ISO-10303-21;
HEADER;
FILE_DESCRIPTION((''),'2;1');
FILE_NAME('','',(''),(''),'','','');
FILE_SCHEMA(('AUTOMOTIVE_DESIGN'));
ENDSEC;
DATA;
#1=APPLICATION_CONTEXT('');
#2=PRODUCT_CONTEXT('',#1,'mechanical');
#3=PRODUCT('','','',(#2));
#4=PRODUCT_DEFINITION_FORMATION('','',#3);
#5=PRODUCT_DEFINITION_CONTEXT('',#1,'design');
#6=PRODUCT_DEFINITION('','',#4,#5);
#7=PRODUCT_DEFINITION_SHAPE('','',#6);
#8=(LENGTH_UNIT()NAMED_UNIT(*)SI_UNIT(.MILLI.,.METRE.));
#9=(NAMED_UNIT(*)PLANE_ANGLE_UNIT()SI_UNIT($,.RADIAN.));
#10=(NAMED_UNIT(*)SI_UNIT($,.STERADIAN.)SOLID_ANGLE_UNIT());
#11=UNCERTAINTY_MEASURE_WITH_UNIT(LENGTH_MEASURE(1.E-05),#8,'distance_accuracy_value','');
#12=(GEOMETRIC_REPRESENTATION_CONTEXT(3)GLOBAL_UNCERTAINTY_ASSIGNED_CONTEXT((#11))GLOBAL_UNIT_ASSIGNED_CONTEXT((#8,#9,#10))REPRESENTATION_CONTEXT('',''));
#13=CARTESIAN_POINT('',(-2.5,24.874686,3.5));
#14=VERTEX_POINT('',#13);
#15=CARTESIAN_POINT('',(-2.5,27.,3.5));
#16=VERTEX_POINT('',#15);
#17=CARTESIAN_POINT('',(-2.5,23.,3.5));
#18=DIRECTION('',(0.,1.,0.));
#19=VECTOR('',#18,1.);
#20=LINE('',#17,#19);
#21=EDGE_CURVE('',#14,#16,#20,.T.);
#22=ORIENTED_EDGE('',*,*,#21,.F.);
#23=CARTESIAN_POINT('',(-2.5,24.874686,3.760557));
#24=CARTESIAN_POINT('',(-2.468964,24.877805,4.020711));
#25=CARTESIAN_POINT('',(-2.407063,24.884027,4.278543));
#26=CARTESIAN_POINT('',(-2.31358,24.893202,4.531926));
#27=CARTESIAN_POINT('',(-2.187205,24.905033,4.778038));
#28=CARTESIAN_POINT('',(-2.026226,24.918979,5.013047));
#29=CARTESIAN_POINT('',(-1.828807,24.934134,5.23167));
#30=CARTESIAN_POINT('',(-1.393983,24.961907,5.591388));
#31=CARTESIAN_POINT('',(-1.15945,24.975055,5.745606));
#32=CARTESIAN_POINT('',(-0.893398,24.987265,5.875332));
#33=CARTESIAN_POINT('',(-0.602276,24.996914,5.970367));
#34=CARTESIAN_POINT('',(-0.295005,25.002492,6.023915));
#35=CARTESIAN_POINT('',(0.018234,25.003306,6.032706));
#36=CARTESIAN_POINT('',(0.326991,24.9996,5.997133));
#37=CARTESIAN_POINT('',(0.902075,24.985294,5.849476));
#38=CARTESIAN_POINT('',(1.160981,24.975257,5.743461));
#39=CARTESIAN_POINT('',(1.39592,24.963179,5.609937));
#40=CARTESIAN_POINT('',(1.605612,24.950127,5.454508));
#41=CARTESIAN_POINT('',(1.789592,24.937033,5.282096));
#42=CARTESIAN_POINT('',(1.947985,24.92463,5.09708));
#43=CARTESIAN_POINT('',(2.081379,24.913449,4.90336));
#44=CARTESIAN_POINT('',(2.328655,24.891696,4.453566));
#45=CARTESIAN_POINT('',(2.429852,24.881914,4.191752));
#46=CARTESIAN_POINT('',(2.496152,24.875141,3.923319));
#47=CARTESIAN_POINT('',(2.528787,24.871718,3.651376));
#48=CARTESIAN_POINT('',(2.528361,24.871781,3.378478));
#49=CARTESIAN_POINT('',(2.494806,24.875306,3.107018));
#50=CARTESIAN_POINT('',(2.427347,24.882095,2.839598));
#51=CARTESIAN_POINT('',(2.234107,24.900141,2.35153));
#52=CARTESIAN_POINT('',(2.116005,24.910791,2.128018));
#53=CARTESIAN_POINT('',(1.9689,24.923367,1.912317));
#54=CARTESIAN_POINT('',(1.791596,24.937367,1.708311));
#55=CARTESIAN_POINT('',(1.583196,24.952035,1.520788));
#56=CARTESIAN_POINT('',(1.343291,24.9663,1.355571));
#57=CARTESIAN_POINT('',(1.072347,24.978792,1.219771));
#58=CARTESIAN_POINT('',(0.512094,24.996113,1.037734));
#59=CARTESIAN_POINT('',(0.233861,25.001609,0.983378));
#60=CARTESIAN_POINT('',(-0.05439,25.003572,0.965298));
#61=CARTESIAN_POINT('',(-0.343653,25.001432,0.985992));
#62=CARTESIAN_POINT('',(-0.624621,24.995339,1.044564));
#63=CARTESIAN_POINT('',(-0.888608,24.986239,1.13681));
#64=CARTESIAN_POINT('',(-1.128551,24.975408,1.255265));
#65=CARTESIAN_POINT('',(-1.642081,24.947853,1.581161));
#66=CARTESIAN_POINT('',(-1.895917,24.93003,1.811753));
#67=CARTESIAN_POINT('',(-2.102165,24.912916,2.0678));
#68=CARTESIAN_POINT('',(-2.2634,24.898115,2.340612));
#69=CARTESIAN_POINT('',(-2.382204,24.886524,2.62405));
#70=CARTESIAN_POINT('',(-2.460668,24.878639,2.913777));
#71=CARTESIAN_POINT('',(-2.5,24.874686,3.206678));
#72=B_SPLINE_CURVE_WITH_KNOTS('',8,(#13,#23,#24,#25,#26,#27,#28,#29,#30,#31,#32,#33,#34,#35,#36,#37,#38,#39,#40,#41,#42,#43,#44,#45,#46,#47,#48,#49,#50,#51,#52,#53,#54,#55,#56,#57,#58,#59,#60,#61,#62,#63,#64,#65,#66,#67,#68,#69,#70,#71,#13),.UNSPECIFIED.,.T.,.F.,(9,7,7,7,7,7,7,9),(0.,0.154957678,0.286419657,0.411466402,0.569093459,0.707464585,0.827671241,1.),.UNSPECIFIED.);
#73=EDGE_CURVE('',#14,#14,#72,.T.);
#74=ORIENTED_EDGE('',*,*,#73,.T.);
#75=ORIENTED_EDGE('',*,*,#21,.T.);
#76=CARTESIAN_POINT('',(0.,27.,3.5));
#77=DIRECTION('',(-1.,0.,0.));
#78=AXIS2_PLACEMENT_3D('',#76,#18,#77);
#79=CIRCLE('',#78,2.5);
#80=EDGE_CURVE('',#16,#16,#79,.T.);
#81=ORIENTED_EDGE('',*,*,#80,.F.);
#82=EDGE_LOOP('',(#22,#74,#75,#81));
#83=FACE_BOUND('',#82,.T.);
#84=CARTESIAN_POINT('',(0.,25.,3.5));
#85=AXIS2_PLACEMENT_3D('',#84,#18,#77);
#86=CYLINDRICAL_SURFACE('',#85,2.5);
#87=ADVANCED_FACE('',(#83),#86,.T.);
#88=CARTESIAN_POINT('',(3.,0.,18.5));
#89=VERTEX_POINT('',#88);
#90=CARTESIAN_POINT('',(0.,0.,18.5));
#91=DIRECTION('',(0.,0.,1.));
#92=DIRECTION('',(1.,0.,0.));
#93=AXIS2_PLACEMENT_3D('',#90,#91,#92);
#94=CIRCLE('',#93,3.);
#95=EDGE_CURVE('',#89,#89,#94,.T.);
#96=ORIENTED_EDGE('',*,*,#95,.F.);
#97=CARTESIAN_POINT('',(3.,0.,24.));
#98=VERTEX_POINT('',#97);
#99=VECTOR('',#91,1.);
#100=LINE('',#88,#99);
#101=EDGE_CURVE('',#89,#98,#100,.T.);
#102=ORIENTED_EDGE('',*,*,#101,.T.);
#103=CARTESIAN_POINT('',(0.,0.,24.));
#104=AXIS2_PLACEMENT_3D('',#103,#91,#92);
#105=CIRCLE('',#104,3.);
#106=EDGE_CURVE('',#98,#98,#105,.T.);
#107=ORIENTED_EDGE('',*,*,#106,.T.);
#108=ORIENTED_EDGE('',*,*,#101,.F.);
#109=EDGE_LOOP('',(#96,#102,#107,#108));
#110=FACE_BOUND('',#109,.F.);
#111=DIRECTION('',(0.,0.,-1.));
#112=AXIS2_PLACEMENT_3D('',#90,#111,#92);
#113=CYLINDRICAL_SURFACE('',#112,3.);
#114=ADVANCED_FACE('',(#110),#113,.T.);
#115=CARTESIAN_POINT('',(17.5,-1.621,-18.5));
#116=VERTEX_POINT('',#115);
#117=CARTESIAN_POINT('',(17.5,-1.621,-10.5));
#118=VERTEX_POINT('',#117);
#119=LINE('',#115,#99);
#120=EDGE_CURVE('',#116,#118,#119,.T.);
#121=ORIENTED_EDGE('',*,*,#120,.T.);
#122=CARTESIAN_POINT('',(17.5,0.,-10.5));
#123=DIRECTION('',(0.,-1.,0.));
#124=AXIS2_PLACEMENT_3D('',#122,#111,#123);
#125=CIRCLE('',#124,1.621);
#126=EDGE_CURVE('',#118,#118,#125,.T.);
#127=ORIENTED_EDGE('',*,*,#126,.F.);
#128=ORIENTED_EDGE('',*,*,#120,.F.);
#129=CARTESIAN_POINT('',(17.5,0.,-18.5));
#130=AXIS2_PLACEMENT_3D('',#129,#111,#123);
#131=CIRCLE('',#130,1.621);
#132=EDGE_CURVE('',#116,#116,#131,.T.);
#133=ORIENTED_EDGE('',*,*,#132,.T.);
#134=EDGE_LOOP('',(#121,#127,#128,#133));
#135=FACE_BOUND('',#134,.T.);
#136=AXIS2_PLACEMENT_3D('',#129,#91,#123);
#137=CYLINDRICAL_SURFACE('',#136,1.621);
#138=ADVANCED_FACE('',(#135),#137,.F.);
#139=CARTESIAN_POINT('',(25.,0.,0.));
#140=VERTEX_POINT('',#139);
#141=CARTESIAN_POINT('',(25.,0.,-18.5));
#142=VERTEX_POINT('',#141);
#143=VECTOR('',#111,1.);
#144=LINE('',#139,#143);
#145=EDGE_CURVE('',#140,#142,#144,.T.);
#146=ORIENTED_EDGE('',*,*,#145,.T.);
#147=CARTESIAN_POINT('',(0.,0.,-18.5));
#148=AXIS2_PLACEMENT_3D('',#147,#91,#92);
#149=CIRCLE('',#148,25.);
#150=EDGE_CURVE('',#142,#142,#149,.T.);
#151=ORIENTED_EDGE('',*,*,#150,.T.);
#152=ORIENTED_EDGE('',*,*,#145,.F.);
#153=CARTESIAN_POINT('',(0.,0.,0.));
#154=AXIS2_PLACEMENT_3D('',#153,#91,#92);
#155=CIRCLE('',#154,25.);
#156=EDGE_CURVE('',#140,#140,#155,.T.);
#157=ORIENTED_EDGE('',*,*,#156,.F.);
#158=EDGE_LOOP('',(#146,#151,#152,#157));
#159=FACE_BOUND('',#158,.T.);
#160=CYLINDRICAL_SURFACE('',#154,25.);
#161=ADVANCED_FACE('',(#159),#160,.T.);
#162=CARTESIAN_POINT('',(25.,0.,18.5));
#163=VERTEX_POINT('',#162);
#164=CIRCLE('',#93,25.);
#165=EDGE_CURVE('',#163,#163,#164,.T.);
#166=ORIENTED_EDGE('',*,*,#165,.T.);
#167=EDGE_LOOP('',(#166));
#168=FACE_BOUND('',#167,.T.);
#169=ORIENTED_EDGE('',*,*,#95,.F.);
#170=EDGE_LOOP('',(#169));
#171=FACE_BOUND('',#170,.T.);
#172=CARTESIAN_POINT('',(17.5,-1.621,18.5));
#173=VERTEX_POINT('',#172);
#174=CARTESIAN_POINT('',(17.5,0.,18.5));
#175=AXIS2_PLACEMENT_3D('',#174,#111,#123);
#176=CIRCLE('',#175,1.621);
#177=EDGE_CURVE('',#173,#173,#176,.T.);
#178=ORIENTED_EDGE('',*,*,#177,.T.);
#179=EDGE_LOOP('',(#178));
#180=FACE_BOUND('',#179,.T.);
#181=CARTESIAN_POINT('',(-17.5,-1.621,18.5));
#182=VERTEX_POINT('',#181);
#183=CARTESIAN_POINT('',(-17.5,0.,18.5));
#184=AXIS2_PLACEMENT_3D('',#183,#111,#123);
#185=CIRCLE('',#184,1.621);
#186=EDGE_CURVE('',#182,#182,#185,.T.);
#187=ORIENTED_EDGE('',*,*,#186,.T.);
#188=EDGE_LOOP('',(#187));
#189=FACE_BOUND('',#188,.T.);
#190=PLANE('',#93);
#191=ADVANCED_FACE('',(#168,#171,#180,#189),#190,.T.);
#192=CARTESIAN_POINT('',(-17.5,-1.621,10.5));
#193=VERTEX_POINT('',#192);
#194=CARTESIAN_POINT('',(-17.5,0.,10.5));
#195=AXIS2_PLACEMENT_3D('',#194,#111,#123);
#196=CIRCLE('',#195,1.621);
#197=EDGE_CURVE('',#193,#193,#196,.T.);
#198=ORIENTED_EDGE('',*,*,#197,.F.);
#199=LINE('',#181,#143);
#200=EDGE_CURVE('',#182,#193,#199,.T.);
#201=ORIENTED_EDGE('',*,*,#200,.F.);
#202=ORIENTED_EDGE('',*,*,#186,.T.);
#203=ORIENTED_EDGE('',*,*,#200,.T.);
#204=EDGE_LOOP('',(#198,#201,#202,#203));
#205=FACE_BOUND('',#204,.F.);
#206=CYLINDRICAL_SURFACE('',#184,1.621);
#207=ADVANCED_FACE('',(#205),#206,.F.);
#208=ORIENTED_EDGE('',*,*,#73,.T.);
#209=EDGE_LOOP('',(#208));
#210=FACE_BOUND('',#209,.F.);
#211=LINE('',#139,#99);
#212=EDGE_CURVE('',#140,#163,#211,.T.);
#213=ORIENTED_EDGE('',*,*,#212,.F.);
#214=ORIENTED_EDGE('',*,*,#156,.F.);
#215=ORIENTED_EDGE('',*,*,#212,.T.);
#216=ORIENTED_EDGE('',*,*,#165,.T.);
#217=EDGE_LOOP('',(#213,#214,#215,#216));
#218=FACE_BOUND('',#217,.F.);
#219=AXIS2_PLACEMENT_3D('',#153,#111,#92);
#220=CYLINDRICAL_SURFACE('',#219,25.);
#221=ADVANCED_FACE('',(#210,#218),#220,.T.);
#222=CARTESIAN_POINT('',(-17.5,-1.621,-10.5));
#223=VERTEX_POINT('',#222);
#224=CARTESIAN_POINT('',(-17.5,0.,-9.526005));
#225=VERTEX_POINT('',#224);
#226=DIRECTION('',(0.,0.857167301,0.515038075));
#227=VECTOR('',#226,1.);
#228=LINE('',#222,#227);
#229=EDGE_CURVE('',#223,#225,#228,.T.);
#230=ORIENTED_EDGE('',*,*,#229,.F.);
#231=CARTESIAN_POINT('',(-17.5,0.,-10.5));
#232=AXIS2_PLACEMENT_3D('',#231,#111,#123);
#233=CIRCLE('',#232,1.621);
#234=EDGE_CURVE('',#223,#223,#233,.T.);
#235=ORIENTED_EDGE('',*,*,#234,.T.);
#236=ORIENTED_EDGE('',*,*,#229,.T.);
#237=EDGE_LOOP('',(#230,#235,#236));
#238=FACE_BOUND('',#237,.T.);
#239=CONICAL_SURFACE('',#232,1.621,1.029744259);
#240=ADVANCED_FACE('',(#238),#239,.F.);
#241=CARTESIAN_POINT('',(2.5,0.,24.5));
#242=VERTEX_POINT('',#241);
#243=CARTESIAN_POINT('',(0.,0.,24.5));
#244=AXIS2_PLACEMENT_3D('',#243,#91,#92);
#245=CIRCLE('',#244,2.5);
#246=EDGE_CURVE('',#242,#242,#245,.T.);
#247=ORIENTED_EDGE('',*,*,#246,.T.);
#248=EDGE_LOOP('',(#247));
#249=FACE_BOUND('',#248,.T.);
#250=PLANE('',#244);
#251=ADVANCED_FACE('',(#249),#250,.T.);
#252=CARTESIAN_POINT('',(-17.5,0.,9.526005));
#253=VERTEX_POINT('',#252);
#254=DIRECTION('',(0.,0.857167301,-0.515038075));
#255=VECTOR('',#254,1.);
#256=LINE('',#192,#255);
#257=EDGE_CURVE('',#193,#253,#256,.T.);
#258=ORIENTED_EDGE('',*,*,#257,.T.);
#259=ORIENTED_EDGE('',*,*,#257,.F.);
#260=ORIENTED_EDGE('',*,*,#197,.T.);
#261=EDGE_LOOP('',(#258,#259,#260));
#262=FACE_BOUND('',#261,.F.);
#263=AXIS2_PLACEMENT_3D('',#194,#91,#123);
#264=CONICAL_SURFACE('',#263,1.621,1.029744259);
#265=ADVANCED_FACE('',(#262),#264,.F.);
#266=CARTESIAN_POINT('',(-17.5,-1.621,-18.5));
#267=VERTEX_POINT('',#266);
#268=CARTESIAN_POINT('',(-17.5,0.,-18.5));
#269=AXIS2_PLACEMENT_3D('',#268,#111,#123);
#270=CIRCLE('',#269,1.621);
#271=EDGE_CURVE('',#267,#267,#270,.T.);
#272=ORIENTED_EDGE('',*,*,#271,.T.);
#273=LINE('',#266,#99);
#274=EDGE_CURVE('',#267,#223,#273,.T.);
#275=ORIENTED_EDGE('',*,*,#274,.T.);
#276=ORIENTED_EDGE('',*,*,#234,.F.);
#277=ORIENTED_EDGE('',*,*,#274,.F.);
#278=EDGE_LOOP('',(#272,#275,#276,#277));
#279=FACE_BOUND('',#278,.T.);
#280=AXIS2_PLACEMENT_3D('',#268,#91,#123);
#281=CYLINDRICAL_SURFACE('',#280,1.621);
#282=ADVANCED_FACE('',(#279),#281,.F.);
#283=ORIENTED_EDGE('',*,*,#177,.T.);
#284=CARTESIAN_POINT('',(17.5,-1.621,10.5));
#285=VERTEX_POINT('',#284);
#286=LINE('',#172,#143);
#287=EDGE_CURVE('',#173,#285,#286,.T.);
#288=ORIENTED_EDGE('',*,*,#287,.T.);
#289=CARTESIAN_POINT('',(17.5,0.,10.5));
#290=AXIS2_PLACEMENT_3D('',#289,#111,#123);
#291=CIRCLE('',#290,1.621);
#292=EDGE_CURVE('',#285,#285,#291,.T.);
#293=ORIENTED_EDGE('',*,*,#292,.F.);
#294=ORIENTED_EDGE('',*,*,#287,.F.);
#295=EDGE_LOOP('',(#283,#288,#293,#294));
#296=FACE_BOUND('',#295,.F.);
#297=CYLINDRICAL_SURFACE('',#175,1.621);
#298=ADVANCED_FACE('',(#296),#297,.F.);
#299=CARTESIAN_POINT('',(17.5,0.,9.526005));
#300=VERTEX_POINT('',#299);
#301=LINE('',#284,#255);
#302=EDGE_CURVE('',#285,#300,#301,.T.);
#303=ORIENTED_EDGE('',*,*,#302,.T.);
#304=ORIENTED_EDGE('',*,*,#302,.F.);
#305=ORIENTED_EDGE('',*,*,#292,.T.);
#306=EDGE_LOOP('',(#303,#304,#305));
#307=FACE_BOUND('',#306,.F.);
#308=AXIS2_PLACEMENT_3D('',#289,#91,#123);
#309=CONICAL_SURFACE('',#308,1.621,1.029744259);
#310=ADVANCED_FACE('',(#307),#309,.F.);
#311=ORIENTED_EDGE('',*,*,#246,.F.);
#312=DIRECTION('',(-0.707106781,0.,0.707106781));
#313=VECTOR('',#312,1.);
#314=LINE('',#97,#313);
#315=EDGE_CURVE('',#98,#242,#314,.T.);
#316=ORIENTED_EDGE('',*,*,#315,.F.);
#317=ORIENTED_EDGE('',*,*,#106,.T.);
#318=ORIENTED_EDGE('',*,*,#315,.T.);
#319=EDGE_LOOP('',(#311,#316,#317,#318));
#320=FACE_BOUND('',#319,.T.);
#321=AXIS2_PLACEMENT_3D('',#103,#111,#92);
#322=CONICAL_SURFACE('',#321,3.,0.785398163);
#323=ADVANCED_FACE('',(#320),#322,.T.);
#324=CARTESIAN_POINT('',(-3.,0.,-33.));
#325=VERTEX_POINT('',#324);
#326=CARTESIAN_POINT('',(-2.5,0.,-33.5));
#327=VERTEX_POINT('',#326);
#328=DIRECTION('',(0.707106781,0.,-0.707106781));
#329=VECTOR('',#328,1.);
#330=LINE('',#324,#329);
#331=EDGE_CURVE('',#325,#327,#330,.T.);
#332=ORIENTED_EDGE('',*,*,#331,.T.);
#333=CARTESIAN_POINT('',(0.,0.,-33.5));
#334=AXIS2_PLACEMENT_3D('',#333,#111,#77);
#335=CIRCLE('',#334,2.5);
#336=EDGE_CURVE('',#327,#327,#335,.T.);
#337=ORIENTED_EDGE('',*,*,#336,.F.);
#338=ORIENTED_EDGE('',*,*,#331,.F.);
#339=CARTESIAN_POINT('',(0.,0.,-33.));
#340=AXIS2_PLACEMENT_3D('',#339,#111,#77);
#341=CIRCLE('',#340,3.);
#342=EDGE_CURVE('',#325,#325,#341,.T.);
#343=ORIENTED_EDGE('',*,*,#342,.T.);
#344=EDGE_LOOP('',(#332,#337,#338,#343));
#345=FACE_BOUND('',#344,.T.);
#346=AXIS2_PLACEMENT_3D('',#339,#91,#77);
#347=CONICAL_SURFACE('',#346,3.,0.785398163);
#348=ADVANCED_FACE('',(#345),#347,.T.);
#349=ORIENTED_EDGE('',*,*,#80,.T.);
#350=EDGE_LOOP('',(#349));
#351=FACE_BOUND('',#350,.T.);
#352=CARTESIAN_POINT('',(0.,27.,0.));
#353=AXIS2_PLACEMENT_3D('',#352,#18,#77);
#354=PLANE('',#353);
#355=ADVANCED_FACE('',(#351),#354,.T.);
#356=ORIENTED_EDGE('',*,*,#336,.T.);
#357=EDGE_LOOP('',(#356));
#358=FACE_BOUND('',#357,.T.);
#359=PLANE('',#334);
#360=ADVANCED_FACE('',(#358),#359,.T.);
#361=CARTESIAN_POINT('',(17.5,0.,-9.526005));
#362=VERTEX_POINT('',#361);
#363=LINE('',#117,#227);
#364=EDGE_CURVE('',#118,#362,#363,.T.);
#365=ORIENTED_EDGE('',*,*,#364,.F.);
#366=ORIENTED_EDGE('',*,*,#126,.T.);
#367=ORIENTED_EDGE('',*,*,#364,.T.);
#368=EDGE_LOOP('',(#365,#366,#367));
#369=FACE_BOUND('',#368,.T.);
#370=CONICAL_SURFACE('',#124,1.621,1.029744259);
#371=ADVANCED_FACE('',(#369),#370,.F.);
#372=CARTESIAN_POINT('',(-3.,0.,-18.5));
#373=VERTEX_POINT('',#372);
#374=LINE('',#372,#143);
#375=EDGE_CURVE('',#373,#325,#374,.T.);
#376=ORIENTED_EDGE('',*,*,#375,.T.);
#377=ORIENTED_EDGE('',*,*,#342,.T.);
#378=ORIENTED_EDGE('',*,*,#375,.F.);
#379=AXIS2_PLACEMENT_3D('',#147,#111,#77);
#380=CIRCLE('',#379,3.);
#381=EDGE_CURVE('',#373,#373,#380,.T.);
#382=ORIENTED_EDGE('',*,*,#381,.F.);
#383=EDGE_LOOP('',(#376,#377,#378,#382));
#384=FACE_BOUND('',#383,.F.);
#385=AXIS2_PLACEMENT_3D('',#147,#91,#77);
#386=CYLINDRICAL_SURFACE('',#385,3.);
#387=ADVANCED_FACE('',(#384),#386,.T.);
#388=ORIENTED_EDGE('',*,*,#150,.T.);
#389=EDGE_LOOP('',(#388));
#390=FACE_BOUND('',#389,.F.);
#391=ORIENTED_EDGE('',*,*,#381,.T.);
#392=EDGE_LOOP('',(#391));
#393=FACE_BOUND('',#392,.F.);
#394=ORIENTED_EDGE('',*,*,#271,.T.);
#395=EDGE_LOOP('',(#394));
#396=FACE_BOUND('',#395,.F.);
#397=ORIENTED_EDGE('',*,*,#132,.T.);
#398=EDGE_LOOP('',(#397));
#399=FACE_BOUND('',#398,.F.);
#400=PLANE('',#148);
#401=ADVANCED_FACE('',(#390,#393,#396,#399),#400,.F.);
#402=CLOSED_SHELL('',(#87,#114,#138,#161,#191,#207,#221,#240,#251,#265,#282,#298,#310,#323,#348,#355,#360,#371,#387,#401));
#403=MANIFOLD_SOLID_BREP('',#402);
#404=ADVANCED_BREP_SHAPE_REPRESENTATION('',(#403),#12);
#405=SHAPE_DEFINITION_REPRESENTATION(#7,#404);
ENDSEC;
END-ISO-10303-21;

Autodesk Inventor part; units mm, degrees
ref_plane "YZ Plane" through (0, 0, 0) normal (1, 0, 0) x (0, 1, 0)
ref_plane "XY Plane" through (0, 0, 0) normal (0, 0, 1) x (1, 0, 0)
sketch "Skizze1" plane through (0, 0, 0) normal (0, 0, 1) x (1, 0, 0)
  circle A0 centre (0, 0) radius 25
  dimension "d0" = 50
extrude "Extrusion1" add sketch "Skizze1" along normal mid plane 37
sketch "Skizze2" plane through (0, 0, 18.5) normal (0, 0, 1) x (1, 0, 0)
  circle A0 centre (0, 0) radius 25 projected
  circle A1 centre (0, 0) radius 3
  dimension "d3" = 6
extrude "Extrusion2" add sketch "Skizze2" along normal blind 6 contours A1
sketch "Skizze3" plane through (0, 0, -18.5) normal (0, 0, -1) x (-1, 0, 0)
  circle A0 centre (0, 0) radius 25 projected
  circle A1 centre (0, 0) radius 3
  dimension "d6" = 6
extrude "Extrusion3" add sketch "Skizze3" along normal blind 15 contours A1
chamfer "Fase1" distance 0.5 angle 45 2 edges at (3, 0, -33.5) (-3, 0, 24.5)
sketch "Skizze4" plane through (0, 0, 18.5) normal (0, 0, 1) x (1, 0, 0)
  circle A0 centre (0, 0) radius 3 projected
  line L0 (-17.5, 0) -> (17.5, 0) construction
  dimension "d12" = 35
hole "Bohrung1" at (-17.5, 0, 18.5) at (17.5, 0, 18.5) direction (0, 0, -1) diameter 3.242 depth 8 tip angle 118 thread size "M4x0.7" class "6H" standard "ISO Metric profile"
mirror "Spiegeln1" about plane through (0, 0, 0) normal (0, 0, 1) of "Bohrung1"
ref_plane "Arbeitsebene1" through (0, 25, 0) normal (0, 1, 0) x (-1, 0, 0)
sketch "Skizze5" plane through (0, 25, 0) normal (0, 1, 0) x (-1, 0, 0)
  line L0 (-25, -18.5) -> (25, -18.5) projected
  line L1 (25, 18.5) -> (-25, 18.5) projected
  circle A0 centre (0, 3.5) radius 2.5
  point P0 (0, 0)
  dimension "d20" = 15
  dimension "d21" = 5
extrude "Extrusion4" add sketch "Skizze5" against normal blind 2 and the other way blind 2
properties part number "Tunel_Motor"
